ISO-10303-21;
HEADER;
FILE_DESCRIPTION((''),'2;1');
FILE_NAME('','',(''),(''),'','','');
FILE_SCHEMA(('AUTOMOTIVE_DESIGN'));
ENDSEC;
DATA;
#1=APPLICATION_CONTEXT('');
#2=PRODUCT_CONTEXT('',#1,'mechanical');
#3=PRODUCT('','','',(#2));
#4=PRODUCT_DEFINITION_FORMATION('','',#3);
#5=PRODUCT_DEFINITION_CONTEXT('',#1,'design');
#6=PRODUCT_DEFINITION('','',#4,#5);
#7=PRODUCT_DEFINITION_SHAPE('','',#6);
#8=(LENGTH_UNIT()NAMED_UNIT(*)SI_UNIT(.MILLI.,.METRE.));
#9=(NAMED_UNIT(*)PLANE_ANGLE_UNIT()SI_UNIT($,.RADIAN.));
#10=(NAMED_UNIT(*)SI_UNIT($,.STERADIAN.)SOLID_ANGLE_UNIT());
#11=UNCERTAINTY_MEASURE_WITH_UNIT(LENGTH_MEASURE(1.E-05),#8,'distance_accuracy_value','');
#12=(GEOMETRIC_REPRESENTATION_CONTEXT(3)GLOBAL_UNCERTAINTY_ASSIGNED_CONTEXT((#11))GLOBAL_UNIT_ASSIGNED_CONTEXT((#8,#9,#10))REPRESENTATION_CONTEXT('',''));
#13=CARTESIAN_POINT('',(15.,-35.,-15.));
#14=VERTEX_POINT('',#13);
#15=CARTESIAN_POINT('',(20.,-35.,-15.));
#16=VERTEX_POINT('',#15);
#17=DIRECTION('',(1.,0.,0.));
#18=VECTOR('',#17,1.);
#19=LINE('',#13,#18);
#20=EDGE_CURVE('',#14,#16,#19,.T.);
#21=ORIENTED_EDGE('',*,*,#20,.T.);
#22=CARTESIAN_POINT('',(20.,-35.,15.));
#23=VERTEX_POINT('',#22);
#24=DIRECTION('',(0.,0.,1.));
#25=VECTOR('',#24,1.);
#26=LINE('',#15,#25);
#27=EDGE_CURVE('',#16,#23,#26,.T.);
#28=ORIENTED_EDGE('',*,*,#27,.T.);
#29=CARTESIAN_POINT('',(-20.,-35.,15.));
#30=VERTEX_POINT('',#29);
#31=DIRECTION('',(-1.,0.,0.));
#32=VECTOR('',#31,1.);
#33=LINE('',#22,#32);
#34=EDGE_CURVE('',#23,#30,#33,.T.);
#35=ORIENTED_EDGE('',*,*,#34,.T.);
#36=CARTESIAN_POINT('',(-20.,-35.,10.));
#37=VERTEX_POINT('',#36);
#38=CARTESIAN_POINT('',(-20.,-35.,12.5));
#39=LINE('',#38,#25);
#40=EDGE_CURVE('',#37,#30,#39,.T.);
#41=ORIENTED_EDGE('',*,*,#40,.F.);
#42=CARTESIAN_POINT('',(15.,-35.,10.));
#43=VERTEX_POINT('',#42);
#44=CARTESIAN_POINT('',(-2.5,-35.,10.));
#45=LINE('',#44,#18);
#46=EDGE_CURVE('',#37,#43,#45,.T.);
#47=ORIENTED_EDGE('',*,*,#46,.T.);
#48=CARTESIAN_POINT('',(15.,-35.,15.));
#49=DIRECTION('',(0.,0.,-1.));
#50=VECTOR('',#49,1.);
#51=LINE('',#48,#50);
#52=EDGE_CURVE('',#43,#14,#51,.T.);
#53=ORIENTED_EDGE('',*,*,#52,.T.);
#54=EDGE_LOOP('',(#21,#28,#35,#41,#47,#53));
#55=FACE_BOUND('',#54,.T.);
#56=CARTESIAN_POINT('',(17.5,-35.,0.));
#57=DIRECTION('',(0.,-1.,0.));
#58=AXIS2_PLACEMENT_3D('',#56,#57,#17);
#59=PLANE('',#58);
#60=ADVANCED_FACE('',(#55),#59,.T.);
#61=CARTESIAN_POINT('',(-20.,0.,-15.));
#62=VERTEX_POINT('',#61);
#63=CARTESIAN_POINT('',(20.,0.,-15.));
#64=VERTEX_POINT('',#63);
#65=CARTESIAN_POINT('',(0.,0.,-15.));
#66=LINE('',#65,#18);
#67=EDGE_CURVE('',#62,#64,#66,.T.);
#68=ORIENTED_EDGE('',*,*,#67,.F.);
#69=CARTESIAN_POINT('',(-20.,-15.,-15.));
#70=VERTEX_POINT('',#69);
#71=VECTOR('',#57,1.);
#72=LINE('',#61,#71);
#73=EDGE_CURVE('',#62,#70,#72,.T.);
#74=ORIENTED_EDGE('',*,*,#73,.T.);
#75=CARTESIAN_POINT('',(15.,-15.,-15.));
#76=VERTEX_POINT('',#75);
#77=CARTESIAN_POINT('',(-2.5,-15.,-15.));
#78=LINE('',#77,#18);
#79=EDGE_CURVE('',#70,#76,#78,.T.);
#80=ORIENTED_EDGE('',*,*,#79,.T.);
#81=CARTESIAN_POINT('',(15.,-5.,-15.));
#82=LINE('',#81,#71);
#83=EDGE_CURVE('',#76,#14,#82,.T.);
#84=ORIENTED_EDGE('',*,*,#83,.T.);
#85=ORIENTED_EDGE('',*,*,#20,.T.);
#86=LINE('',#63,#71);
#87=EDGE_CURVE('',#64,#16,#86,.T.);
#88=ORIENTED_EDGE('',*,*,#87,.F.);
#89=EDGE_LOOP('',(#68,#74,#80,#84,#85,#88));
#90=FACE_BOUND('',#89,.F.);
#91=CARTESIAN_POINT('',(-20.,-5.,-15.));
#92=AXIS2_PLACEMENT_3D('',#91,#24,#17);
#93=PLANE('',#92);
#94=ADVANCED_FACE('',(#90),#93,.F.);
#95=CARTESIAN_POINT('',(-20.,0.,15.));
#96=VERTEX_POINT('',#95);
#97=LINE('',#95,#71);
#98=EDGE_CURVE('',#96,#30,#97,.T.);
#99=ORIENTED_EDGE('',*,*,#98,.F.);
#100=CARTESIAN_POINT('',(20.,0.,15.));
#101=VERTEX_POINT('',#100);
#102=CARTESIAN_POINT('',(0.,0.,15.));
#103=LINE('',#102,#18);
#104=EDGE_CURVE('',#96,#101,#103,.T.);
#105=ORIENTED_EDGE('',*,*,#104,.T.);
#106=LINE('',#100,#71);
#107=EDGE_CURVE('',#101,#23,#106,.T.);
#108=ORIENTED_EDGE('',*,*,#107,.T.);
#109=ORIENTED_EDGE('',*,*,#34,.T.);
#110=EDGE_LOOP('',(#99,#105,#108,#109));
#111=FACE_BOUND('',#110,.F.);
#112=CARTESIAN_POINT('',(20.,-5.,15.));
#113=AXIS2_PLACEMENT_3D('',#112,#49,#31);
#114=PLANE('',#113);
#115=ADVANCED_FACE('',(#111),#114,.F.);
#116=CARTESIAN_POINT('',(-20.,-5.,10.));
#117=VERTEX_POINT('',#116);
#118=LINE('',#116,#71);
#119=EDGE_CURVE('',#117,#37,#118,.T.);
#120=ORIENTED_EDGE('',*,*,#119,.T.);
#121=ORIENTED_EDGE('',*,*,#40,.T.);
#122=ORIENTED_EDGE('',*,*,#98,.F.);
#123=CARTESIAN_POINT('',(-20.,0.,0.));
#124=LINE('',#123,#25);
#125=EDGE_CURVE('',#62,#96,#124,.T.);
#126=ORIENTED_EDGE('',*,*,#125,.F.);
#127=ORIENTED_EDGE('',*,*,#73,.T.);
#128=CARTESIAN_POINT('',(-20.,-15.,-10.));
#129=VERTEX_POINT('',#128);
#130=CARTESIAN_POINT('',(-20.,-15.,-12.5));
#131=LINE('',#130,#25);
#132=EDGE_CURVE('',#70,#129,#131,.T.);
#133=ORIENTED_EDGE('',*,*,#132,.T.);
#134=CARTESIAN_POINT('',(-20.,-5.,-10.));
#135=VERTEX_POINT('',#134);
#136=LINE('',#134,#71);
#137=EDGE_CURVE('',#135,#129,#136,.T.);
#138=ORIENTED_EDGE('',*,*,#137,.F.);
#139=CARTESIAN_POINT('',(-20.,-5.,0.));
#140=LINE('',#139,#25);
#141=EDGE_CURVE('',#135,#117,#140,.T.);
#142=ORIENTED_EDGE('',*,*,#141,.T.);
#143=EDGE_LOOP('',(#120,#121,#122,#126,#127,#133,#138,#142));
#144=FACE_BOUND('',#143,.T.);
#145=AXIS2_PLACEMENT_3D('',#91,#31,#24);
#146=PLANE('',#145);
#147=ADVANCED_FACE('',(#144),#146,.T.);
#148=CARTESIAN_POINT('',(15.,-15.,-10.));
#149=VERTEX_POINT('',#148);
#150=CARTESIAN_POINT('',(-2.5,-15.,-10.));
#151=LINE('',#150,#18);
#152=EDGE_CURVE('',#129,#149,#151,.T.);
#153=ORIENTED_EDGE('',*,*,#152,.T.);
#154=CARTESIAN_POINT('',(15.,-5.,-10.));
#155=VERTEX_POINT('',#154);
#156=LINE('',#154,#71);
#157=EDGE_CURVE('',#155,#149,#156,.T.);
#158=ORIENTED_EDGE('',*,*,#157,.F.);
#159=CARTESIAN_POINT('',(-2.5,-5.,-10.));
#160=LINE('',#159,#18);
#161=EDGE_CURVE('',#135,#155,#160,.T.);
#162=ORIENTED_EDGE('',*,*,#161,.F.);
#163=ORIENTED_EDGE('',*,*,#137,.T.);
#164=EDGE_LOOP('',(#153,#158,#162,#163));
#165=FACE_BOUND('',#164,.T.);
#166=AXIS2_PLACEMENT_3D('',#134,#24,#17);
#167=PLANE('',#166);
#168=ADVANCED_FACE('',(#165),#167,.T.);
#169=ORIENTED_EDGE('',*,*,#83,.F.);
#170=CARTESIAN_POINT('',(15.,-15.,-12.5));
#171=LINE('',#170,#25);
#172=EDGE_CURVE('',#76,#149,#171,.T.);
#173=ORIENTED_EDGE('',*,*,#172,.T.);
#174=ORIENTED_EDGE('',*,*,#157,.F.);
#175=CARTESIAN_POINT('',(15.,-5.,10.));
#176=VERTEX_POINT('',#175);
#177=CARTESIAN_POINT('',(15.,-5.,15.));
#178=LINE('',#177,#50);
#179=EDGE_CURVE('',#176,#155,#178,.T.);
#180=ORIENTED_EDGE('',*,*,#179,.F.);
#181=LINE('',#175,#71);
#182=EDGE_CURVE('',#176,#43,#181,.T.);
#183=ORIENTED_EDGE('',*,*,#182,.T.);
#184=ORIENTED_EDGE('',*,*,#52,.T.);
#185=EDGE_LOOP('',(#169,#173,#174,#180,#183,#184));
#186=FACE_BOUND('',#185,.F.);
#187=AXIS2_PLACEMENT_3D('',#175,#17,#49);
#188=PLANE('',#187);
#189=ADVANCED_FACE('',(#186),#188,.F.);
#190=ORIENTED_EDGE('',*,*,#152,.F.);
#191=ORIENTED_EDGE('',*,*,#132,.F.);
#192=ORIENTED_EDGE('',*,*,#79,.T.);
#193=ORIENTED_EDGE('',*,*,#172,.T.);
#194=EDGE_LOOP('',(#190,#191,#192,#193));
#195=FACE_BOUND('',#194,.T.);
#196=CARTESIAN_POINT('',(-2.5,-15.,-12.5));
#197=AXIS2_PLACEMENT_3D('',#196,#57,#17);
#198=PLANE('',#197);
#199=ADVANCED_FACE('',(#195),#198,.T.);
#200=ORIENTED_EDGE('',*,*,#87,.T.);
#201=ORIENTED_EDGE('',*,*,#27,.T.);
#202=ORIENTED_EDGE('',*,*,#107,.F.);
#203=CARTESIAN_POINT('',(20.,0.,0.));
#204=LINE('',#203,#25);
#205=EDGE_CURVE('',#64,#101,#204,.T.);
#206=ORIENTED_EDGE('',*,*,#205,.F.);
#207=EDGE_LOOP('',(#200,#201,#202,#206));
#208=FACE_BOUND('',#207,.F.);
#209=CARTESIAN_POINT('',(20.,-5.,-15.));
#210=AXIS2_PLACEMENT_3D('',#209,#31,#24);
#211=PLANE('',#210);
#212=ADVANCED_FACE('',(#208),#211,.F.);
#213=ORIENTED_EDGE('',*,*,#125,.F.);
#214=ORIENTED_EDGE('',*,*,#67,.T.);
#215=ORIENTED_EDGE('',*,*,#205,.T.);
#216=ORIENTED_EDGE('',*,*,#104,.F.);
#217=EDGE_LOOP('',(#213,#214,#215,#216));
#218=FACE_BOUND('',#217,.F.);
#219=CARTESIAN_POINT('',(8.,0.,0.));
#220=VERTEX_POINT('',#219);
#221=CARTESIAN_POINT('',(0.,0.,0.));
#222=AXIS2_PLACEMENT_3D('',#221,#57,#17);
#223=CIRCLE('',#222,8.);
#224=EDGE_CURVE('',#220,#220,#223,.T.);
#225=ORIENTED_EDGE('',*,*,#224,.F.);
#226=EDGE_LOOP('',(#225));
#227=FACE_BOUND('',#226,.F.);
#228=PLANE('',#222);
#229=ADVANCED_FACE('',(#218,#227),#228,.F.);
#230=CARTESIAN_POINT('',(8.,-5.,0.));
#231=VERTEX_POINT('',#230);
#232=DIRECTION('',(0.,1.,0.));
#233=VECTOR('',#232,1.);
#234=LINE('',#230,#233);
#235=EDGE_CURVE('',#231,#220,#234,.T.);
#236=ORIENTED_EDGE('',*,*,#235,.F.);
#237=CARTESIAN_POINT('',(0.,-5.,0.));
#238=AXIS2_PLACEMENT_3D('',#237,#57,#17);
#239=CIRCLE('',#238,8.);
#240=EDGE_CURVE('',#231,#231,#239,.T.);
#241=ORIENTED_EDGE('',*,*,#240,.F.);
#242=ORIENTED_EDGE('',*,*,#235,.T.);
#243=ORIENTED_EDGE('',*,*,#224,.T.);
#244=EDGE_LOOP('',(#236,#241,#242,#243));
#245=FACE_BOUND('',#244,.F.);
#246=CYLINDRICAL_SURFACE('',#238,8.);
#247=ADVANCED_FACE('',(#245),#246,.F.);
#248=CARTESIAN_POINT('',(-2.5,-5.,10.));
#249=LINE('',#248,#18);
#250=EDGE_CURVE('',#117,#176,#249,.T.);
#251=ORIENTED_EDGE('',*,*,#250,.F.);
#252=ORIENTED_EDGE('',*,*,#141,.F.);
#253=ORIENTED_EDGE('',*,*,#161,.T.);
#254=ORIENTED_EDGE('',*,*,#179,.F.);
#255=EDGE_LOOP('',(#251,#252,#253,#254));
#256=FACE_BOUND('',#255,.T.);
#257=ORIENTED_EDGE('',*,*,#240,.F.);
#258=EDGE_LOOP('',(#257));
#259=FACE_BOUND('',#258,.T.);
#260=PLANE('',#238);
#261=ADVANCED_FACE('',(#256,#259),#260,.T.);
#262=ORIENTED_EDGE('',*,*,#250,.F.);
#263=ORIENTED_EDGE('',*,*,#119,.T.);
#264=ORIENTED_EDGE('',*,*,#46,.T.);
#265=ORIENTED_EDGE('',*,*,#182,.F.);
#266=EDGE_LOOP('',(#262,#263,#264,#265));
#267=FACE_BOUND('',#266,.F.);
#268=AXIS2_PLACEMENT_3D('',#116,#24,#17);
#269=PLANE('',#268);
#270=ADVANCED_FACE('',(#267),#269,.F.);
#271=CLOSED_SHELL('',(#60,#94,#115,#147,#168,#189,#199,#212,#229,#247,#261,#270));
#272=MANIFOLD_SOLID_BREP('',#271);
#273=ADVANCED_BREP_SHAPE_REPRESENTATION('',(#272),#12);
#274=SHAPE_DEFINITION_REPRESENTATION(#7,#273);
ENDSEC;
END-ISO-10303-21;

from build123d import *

# Parameters (mm, degrees)
F0_W     = 40
F0_H     = 30
F1_DEPTH = 5
F2_R     = 8
F3_DEPTH = 25
F4_W     = 35
F4_H     = 5
F5_DEPTH = 30
F6_W     = 35
F6_H     = 5
F7_DEPTH = 10


with BuildPart() as f1:
    # F0 (on Front) → F1 (new body)
    with BuildSketch(Plane.XZ):
        Rectangle(F0_W, F0_H)
    extrude(amount=F1_DEPTH)

    # F2 (on face) → F3 (cut)
    with BuildSketch(Plane.XZ.offset(5)):
        Circle(F2_R)
    extrude(amount=-F3_DEPTH, mode=Mode.SUBTRACT)

    # F4 (on face) → F5 (join)
    with BuildSketch(Plane.XZ.offset(5)):
        Polygon((15, -15), (20, -15), (20, 15), (15, 15), (15, 10), align=None)
        with Locations((-2.5, 12.5)):
            Rectangle(F4_W, F4_H)
    extrude(amount=F5_DEPTH)

    # F6 (on face) → F7 (join)
    with BuildSketch(Plane.XZ.offset(5)):
        with Locations((-2.5, -12.5)):
            Rectangle(F6_W, F6_H)
    extrude(amount=F7_DEPTH)


solid = f1.part
